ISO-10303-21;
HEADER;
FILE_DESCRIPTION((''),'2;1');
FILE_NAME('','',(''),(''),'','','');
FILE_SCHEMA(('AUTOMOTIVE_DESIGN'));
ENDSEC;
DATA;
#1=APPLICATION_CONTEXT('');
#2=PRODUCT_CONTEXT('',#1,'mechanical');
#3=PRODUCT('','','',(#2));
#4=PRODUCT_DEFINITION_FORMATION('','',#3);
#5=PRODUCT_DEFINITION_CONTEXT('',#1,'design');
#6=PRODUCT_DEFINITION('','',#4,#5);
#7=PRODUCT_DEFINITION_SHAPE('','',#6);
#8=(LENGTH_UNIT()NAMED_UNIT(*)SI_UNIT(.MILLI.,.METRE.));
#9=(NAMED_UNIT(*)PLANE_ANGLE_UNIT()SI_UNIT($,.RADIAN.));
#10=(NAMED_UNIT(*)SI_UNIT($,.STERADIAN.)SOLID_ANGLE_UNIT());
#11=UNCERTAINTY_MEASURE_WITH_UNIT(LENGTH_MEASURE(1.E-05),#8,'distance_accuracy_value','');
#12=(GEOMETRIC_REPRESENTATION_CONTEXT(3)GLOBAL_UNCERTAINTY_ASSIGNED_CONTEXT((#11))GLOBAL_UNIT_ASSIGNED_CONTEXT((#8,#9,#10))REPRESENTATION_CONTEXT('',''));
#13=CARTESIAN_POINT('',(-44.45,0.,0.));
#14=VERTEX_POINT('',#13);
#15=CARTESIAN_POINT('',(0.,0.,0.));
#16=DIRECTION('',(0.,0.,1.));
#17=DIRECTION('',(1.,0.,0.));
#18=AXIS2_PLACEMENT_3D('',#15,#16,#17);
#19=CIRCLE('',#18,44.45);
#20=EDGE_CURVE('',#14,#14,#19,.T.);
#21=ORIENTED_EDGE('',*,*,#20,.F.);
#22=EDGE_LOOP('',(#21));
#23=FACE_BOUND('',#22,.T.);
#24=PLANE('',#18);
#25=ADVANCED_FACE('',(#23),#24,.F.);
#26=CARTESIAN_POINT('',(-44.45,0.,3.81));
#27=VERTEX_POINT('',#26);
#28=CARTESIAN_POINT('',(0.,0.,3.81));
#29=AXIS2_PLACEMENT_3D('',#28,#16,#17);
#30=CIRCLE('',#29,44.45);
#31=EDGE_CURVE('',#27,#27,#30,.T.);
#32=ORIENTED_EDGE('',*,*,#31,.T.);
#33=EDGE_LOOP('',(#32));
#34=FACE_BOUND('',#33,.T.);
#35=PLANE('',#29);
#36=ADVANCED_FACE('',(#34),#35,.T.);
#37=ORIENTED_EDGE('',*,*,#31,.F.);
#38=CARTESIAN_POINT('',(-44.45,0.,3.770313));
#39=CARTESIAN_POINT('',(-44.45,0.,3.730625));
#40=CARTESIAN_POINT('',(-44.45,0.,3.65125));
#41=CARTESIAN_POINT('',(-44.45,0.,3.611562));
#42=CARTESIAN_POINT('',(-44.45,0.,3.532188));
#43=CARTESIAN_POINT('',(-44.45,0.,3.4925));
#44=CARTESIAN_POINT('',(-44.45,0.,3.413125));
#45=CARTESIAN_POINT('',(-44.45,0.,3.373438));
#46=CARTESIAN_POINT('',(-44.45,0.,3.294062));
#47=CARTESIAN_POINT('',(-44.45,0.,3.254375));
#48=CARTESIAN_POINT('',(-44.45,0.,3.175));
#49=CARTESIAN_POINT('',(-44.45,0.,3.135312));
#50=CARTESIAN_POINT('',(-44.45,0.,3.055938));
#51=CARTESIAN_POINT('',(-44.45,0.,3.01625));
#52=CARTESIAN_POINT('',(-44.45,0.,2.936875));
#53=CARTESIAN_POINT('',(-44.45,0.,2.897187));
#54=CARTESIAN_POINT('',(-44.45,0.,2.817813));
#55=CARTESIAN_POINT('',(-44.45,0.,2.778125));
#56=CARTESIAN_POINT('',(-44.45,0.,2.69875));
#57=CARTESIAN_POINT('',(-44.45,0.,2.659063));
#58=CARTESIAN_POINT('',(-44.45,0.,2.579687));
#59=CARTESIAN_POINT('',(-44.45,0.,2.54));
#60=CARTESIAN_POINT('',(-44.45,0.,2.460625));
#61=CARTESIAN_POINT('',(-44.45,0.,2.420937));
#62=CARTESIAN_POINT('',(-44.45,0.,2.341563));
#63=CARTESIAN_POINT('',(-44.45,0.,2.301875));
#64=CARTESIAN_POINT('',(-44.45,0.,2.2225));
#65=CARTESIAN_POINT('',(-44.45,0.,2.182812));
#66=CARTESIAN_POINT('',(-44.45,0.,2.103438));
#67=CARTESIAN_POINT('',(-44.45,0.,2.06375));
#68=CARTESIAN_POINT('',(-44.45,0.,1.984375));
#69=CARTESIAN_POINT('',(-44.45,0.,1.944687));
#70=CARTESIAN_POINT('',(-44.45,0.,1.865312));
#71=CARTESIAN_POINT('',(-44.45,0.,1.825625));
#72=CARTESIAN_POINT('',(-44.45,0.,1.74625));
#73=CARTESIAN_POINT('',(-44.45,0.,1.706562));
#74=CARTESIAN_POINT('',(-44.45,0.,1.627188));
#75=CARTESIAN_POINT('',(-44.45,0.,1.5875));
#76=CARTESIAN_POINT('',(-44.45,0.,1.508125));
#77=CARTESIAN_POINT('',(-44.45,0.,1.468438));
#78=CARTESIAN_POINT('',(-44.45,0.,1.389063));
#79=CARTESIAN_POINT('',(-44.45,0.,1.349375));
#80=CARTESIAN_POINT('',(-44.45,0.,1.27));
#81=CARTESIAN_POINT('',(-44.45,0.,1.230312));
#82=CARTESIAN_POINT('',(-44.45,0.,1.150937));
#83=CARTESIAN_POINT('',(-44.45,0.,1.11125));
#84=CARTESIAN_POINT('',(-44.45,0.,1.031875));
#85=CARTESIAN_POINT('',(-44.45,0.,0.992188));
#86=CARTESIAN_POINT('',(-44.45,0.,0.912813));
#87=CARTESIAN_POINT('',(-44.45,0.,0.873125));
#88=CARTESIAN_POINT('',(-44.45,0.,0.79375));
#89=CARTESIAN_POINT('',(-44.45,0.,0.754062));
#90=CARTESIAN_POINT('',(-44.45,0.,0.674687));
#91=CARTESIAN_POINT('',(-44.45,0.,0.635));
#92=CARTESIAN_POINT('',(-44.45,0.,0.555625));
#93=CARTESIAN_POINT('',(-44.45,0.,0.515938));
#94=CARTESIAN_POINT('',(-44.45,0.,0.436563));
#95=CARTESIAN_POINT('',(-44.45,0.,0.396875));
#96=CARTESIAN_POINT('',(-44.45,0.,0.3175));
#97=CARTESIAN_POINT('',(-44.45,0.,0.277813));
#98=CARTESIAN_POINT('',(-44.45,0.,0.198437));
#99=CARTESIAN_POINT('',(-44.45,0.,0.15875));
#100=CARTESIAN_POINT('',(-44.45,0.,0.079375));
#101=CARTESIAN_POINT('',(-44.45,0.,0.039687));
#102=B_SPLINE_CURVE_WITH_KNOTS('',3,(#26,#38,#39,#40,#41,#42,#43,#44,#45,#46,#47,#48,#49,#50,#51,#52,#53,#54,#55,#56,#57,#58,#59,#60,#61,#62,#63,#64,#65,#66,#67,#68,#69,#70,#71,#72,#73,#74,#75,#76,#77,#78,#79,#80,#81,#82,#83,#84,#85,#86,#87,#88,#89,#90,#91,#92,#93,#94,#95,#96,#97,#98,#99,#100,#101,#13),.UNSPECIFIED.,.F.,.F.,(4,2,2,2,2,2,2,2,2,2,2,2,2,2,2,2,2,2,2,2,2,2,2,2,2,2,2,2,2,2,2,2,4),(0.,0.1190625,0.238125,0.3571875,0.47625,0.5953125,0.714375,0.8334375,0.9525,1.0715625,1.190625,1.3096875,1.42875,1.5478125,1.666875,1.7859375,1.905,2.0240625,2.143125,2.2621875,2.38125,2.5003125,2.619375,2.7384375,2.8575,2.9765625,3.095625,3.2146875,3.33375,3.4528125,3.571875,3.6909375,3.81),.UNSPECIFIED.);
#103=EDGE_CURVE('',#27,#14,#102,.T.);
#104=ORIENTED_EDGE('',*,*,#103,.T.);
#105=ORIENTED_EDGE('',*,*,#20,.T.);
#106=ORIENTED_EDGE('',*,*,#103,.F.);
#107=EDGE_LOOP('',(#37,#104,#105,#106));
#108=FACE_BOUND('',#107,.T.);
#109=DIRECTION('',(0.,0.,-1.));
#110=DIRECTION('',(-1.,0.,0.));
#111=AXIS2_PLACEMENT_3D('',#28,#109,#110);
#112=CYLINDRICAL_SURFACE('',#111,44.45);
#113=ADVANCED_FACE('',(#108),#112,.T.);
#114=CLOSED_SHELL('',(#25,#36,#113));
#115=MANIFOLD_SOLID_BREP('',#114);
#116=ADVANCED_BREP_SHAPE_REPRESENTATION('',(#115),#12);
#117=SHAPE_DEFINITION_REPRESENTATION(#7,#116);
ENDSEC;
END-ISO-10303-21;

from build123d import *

# Parameters (mm, degrees)
SKETCH1_R           = 44.45
BOSS_EXTRUDE1_DEPTH = 3.81


with BuildPart() as part:
    # Sketch1 → Boss-Extrude1 (new body)
    with BuildSketch(Plane.XY):
        with Locations(Location((0, 0, 0), (0, 0, 180))):
            Circle(SKETCH1_R)
    extrude(amount=BOSS_EXTRUDE1_DEPTH)


solid = part.part
